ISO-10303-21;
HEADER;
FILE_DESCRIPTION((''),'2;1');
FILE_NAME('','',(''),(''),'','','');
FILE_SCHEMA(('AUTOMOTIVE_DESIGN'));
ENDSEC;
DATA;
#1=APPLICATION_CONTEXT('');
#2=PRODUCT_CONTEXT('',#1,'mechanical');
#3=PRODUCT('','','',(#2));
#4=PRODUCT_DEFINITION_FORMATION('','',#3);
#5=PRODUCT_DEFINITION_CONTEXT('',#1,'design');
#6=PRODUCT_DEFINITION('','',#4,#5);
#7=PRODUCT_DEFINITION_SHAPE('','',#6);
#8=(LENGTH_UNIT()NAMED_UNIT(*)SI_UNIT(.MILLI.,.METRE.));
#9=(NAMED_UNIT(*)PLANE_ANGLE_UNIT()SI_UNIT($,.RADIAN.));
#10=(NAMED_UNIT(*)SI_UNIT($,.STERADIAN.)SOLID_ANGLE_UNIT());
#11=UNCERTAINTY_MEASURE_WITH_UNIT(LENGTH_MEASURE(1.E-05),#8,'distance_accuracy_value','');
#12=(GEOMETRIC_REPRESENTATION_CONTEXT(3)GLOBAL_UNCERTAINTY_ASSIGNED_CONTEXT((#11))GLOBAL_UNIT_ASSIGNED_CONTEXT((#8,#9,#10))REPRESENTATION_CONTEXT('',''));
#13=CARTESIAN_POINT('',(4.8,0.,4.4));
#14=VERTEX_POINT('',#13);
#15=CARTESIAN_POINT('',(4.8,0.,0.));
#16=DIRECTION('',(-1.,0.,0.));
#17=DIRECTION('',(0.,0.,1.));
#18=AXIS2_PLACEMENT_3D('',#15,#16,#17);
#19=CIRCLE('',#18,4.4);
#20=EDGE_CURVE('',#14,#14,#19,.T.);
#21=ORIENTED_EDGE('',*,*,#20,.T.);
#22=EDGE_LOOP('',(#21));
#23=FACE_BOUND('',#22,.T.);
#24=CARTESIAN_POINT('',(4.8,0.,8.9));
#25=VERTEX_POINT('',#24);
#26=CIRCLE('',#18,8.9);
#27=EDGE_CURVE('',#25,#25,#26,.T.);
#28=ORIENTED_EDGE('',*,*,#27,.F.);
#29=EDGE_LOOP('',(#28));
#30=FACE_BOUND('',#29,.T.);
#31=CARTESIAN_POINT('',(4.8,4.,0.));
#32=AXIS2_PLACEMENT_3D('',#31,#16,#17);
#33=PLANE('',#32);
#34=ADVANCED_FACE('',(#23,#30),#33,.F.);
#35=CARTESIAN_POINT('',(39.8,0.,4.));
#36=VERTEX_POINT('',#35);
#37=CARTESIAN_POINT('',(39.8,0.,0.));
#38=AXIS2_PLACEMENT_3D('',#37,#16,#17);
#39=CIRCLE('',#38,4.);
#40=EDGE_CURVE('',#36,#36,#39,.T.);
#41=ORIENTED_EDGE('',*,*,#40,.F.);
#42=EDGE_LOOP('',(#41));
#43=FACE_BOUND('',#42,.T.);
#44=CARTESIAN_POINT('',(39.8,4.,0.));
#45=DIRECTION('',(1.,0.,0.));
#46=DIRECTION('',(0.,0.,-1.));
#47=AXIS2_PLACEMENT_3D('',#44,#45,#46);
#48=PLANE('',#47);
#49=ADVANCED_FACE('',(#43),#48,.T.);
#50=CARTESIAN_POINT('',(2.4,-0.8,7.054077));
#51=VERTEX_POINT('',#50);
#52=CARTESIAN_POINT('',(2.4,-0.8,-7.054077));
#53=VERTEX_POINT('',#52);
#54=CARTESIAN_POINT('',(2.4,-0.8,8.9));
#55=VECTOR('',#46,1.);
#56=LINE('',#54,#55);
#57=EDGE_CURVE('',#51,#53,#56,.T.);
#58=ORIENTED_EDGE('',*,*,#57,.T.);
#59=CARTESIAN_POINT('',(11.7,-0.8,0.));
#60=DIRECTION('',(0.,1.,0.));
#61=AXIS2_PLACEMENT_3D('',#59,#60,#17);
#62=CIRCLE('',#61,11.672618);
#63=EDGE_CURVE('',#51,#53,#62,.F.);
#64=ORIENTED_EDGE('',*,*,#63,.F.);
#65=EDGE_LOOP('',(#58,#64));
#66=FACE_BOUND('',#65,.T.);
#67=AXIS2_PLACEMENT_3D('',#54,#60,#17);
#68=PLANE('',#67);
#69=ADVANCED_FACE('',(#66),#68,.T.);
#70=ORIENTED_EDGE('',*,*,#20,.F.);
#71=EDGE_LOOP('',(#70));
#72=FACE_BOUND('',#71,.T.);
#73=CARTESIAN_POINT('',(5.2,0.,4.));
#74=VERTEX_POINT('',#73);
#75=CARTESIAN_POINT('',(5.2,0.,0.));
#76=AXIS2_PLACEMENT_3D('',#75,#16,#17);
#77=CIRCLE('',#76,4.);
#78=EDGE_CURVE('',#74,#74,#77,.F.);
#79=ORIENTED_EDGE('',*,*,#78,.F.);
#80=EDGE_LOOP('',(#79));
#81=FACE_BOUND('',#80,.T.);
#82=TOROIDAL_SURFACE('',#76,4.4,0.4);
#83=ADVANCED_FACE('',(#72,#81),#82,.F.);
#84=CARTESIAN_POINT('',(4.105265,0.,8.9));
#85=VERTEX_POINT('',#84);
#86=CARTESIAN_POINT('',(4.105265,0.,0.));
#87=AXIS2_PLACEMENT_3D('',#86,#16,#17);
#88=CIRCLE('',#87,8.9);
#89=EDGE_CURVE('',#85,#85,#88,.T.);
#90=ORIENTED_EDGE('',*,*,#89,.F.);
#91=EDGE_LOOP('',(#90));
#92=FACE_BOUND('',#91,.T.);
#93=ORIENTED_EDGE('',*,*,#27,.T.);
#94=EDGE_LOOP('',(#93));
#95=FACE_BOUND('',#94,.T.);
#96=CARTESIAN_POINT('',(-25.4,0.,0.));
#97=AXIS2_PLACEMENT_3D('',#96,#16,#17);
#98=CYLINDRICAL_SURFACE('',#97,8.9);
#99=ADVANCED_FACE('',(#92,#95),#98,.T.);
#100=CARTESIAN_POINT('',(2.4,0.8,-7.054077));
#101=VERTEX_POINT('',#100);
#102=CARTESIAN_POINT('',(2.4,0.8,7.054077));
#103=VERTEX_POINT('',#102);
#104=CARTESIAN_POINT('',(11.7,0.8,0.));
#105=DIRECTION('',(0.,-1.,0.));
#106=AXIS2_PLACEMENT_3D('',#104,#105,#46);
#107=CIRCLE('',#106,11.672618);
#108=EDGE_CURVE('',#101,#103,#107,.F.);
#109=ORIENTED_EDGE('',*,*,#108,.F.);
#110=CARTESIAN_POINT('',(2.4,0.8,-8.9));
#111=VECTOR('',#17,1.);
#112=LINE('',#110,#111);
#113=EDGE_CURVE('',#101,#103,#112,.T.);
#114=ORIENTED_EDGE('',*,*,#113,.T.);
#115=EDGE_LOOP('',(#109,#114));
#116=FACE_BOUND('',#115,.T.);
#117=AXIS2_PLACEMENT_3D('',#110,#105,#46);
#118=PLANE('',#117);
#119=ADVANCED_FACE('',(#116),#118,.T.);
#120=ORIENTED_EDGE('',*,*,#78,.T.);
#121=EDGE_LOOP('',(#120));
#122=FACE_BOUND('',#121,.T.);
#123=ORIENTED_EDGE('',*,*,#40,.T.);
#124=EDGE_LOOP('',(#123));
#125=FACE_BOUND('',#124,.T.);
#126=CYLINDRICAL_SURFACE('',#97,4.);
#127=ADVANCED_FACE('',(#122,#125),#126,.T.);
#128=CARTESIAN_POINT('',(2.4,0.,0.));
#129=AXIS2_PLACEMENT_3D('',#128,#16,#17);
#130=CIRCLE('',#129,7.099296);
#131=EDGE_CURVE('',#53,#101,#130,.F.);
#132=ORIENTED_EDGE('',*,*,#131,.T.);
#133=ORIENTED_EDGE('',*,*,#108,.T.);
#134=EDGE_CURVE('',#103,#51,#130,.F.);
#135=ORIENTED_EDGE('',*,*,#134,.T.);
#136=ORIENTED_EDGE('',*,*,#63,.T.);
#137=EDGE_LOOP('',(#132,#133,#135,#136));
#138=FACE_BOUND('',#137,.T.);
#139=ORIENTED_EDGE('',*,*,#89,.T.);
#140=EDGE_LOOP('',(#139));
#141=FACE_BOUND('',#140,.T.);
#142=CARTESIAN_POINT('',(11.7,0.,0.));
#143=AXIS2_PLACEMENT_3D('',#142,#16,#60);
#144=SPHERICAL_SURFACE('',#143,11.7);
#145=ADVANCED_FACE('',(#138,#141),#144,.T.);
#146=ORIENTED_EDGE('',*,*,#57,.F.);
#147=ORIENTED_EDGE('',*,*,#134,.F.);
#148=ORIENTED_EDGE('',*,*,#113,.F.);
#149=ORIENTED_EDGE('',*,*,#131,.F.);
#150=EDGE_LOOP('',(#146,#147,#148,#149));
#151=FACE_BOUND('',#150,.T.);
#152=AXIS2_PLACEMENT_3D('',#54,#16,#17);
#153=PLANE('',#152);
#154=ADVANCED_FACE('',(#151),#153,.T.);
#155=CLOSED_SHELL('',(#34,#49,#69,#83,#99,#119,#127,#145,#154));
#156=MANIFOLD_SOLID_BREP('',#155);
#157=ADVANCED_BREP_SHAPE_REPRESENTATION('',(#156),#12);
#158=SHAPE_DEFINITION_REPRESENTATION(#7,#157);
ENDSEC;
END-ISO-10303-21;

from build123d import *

# Parameters (mm, degrees)
FILLET1_R  = 0.4
SKETCH2_W  = 17.8
SKETCH2_H  = 1.6
SLOT_DEPTH = 2.4


with BuildPart() as part:
    # BodySke → Base-Revolve (revolve)
    with BuildSketch(Plane.XY, mode=Mode.PRIVATE) as base_revolve_sk:
        with BuildLine():
            Line((4.8, 4), (4.8, 8.9))
            Line((4.8, 8.9), (4.105264982, 8.9))
            ThreePointArc((4.105264982, 8.9), (1.075772976, 4.900591816), (0, 0))
            Line((0, 0), (39.8, 0))
            Line((39.8, 0), (39.8, 4))
            Line((39.8, 4), (4.8, 4))
        make_face()
    revolve(base_revolve_sk.sketch.rotate(Axis((-25.4, 0, 0), (1, 0, 0)), 90), axis=Axis((-25.4, 0, 0), (1, 0, 0)))

    # Fillet1
    fillet1_edges = [part.edges().sort_by_distance(p)[0] for p in [
        (4.8, 0, -4),
    ]]
    fillet(fillet1_edges, radius=FILLET1_R)

    # Sketch2 → Slot (cut)
    with BuildSketch(Plane(origin=(0, 0, 0), x_dir=(0, 0, -1), z_dir=(1, 0, 0))):
        Rectangle(SKETCH2_W, SKETCH2_H)
    extrude(amount=SLOT_DEPTH, mode=Mode.SUBTRACT)


solid = part.part
